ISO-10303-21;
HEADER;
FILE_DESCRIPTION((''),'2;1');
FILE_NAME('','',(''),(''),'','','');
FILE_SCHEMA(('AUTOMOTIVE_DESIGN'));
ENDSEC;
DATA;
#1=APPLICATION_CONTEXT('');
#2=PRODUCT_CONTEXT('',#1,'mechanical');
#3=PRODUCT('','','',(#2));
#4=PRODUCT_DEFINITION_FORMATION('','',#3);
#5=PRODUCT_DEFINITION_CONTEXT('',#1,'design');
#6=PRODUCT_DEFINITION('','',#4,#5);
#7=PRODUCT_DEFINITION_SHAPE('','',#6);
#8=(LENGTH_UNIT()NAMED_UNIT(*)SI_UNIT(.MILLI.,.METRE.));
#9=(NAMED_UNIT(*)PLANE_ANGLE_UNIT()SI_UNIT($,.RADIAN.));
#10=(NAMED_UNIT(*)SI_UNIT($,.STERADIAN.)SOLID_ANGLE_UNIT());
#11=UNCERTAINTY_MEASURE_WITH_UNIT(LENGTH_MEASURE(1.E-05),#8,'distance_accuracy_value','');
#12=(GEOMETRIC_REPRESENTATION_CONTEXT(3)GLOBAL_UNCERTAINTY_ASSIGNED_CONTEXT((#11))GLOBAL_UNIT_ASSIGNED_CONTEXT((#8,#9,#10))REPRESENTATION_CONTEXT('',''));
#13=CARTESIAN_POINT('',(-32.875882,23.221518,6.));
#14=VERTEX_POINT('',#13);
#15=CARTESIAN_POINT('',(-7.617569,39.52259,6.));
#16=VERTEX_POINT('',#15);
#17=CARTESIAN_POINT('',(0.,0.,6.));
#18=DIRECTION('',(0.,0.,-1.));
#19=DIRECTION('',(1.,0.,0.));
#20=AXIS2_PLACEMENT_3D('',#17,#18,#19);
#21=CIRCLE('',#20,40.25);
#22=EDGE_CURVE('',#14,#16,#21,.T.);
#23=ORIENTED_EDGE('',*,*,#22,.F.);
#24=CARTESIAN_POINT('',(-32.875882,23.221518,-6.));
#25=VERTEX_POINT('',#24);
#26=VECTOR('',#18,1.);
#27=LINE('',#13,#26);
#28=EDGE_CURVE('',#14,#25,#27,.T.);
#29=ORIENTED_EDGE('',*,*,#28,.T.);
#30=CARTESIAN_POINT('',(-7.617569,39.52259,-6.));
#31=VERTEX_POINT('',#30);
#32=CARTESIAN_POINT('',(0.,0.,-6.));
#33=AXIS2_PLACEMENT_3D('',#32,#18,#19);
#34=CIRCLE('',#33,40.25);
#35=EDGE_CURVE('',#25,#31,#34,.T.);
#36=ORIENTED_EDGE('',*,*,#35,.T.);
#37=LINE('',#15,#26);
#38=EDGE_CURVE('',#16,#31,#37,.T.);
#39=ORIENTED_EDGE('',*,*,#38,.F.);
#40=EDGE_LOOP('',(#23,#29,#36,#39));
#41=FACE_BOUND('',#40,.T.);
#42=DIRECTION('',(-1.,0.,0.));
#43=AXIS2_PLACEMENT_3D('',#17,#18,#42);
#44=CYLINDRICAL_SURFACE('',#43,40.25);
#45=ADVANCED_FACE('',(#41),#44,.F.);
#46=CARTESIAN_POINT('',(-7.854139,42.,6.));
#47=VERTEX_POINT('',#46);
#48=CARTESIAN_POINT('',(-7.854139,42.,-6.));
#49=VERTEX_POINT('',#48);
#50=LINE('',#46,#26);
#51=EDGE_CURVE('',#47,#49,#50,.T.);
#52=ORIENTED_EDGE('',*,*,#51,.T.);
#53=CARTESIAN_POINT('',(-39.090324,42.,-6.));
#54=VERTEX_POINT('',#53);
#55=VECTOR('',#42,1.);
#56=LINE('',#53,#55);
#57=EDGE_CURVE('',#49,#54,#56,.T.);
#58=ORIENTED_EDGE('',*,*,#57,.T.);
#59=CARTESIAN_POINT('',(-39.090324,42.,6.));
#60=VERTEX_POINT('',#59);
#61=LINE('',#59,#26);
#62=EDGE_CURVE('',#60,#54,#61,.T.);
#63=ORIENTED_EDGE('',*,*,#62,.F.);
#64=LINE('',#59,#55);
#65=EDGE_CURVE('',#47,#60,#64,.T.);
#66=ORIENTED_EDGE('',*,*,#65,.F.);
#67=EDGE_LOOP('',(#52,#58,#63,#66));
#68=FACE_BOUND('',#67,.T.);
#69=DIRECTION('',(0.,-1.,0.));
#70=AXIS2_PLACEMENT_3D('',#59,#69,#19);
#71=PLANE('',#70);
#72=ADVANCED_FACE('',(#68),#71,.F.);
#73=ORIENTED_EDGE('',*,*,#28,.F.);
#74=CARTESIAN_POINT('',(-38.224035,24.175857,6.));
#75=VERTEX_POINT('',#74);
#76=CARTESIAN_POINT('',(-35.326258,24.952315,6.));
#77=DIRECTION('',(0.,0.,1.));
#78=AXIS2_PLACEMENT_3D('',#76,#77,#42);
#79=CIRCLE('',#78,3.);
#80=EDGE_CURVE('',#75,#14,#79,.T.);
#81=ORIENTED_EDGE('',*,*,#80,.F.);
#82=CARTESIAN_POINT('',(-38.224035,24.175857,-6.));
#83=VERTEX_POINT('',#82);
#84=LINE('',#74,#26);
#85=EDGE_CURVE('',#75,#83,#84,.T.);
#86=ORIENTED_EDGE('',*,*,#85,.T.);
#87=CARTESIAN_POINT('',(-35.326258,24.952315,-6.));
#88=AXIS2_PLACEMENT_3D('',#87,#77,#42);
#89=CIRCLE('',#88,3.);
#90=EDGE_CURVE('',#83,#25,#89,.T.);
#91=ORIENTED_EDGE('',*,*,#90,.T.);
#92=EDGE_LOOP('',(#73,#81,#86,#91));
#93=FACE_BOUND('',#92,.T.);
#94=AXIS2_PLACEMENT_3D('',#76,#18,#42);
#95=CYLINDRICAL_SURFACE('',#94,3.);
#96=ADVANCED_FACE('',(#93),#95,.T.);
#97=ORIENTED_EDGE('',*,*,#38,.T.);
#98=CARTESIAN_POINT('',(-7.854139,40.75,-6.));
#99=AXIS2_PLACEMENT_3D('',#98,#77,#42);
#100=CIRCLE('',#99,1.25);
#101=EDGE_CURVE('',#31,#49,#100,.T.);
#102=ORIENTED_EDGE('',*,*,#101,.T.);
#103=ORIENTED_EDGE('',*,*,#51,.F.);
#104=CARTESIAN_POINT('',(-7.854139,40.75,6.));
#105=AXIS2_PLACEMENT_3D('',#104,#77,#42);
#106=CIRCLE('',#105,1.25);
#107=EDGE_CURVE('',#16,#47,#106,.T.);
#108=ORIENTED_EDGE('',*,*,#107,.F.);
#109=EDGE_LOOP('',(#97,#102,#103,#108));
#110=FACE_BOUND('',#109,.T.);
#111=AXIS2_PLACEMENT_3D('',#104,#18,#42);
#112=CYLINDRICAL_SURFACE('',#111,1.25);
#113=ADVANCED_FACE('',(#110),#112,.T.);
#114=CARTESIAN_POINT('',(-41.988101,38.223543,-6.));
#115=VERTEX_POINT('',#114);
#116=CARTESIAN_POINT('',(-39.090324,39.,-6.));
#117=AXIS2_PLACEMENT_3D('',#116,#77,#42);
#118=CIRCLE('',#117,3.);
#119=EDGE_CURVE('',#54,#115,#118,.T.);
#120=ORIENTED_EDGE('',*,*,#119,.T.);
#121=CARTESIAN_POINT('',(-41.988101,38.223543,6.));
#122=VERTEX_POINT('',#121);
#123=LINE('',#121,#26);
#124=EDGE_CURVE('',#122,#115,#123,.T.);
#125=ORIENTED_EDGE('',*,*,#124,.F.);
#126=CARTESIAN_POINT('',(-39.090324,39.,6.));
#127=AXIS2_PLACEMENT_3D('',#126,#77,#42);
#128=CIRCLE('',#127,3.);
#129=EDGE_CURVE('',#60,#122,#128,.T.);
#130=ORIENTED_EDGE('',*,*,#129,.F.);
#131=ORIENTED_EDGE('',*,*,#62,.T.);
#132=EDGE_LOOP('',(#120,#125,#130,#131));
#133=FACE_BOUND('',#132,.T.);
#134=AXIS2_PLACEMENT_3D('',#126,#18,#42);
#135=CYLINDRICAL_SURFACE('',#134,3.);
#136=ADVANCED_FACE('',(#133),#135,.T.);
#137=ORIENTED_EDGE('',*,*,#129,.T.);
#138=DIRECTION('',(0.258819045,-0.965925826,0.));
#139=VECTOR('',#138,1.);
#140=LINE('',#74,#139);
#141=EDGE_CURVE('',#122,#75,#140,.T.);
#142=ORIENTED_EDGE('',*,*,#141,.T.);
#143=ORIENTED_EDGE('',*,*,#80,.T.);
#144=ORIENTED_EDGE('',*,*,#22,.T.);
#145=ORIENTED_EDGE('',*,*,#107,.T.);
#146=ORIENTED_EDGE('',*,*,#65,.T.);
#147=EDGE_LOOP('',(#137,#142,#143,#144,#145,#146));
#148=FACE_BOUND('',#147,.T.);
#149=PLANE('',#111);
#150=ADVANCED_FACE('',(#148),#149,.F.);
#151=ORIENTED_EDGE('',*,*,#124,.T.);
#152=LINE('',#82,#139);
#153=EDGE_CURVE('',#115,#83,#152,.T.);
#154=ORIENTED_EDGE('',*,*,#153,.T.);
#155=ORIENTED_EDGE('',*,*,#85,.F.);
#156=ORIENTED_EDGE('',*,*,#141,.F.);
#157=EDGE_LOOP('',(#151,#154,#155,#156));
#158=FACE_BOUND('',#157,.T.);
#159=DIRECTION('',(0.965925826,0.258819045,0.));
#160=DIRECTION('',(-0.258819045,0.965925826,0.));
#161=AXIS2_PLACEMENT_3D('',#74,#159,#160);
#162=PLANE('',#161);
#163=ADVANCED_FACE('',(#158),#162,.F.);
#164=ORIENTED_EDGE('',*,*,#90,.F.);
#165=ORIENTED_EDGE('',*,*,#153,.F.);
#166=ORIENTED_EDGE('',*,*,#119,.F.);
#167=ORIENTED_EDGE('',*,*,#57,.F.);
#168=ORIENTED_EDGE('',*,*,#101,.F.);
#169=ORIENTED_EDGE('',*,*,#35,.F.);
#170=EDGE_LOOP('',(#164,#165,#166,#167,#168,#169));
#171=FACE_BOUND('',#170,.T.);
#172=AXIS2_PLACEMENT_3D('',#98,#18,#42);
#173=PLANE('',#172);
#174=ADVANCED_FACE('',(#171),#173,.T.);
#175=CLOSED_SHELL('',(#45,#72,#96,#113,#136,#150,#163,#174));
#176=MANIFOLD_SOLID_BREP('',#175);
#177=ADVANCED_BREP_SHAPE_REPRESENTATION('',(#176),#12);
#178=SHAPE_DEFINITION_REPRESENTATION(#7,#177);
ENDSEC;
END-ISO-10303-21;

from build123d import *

# Parameters (mm, degrees)
EXTRUDE1_DEPTH = 6


with BuildPart() as part:
    # Sketch1 → Extrude1 (new body, symmetric)
    with BuildSketch(Plane.XY):
        with BuildLine():
            Line((-38.224035391, 24.175857425), (-41.98810136, 38.223542865))
            ThreePointArc((-41.98810136, 38.223542865), (-41.470383902, 40.826284287), (-39.090323881, 42))
            Line((-39.090323881, 42), (-7.854139036, 42))
            ThreePointArc((-7.854139036, 42), (-6.609799443, 40.868823297), (-7.617568583, 39.522590361))
            ThreePointArc((-7.617568583, 39.522590361), (-21.825698531, 33.818654373), (-32.875881641, 23.221518175))
            ThreePointArc((-32.875881641, 23.221518175), (-35.853261528, 21.99896609), (-38.224035391, 24.175857425))
        make_face()
    extrude(amount=EXTRUDE1_DEPTH, both=True)


solid = part.part
